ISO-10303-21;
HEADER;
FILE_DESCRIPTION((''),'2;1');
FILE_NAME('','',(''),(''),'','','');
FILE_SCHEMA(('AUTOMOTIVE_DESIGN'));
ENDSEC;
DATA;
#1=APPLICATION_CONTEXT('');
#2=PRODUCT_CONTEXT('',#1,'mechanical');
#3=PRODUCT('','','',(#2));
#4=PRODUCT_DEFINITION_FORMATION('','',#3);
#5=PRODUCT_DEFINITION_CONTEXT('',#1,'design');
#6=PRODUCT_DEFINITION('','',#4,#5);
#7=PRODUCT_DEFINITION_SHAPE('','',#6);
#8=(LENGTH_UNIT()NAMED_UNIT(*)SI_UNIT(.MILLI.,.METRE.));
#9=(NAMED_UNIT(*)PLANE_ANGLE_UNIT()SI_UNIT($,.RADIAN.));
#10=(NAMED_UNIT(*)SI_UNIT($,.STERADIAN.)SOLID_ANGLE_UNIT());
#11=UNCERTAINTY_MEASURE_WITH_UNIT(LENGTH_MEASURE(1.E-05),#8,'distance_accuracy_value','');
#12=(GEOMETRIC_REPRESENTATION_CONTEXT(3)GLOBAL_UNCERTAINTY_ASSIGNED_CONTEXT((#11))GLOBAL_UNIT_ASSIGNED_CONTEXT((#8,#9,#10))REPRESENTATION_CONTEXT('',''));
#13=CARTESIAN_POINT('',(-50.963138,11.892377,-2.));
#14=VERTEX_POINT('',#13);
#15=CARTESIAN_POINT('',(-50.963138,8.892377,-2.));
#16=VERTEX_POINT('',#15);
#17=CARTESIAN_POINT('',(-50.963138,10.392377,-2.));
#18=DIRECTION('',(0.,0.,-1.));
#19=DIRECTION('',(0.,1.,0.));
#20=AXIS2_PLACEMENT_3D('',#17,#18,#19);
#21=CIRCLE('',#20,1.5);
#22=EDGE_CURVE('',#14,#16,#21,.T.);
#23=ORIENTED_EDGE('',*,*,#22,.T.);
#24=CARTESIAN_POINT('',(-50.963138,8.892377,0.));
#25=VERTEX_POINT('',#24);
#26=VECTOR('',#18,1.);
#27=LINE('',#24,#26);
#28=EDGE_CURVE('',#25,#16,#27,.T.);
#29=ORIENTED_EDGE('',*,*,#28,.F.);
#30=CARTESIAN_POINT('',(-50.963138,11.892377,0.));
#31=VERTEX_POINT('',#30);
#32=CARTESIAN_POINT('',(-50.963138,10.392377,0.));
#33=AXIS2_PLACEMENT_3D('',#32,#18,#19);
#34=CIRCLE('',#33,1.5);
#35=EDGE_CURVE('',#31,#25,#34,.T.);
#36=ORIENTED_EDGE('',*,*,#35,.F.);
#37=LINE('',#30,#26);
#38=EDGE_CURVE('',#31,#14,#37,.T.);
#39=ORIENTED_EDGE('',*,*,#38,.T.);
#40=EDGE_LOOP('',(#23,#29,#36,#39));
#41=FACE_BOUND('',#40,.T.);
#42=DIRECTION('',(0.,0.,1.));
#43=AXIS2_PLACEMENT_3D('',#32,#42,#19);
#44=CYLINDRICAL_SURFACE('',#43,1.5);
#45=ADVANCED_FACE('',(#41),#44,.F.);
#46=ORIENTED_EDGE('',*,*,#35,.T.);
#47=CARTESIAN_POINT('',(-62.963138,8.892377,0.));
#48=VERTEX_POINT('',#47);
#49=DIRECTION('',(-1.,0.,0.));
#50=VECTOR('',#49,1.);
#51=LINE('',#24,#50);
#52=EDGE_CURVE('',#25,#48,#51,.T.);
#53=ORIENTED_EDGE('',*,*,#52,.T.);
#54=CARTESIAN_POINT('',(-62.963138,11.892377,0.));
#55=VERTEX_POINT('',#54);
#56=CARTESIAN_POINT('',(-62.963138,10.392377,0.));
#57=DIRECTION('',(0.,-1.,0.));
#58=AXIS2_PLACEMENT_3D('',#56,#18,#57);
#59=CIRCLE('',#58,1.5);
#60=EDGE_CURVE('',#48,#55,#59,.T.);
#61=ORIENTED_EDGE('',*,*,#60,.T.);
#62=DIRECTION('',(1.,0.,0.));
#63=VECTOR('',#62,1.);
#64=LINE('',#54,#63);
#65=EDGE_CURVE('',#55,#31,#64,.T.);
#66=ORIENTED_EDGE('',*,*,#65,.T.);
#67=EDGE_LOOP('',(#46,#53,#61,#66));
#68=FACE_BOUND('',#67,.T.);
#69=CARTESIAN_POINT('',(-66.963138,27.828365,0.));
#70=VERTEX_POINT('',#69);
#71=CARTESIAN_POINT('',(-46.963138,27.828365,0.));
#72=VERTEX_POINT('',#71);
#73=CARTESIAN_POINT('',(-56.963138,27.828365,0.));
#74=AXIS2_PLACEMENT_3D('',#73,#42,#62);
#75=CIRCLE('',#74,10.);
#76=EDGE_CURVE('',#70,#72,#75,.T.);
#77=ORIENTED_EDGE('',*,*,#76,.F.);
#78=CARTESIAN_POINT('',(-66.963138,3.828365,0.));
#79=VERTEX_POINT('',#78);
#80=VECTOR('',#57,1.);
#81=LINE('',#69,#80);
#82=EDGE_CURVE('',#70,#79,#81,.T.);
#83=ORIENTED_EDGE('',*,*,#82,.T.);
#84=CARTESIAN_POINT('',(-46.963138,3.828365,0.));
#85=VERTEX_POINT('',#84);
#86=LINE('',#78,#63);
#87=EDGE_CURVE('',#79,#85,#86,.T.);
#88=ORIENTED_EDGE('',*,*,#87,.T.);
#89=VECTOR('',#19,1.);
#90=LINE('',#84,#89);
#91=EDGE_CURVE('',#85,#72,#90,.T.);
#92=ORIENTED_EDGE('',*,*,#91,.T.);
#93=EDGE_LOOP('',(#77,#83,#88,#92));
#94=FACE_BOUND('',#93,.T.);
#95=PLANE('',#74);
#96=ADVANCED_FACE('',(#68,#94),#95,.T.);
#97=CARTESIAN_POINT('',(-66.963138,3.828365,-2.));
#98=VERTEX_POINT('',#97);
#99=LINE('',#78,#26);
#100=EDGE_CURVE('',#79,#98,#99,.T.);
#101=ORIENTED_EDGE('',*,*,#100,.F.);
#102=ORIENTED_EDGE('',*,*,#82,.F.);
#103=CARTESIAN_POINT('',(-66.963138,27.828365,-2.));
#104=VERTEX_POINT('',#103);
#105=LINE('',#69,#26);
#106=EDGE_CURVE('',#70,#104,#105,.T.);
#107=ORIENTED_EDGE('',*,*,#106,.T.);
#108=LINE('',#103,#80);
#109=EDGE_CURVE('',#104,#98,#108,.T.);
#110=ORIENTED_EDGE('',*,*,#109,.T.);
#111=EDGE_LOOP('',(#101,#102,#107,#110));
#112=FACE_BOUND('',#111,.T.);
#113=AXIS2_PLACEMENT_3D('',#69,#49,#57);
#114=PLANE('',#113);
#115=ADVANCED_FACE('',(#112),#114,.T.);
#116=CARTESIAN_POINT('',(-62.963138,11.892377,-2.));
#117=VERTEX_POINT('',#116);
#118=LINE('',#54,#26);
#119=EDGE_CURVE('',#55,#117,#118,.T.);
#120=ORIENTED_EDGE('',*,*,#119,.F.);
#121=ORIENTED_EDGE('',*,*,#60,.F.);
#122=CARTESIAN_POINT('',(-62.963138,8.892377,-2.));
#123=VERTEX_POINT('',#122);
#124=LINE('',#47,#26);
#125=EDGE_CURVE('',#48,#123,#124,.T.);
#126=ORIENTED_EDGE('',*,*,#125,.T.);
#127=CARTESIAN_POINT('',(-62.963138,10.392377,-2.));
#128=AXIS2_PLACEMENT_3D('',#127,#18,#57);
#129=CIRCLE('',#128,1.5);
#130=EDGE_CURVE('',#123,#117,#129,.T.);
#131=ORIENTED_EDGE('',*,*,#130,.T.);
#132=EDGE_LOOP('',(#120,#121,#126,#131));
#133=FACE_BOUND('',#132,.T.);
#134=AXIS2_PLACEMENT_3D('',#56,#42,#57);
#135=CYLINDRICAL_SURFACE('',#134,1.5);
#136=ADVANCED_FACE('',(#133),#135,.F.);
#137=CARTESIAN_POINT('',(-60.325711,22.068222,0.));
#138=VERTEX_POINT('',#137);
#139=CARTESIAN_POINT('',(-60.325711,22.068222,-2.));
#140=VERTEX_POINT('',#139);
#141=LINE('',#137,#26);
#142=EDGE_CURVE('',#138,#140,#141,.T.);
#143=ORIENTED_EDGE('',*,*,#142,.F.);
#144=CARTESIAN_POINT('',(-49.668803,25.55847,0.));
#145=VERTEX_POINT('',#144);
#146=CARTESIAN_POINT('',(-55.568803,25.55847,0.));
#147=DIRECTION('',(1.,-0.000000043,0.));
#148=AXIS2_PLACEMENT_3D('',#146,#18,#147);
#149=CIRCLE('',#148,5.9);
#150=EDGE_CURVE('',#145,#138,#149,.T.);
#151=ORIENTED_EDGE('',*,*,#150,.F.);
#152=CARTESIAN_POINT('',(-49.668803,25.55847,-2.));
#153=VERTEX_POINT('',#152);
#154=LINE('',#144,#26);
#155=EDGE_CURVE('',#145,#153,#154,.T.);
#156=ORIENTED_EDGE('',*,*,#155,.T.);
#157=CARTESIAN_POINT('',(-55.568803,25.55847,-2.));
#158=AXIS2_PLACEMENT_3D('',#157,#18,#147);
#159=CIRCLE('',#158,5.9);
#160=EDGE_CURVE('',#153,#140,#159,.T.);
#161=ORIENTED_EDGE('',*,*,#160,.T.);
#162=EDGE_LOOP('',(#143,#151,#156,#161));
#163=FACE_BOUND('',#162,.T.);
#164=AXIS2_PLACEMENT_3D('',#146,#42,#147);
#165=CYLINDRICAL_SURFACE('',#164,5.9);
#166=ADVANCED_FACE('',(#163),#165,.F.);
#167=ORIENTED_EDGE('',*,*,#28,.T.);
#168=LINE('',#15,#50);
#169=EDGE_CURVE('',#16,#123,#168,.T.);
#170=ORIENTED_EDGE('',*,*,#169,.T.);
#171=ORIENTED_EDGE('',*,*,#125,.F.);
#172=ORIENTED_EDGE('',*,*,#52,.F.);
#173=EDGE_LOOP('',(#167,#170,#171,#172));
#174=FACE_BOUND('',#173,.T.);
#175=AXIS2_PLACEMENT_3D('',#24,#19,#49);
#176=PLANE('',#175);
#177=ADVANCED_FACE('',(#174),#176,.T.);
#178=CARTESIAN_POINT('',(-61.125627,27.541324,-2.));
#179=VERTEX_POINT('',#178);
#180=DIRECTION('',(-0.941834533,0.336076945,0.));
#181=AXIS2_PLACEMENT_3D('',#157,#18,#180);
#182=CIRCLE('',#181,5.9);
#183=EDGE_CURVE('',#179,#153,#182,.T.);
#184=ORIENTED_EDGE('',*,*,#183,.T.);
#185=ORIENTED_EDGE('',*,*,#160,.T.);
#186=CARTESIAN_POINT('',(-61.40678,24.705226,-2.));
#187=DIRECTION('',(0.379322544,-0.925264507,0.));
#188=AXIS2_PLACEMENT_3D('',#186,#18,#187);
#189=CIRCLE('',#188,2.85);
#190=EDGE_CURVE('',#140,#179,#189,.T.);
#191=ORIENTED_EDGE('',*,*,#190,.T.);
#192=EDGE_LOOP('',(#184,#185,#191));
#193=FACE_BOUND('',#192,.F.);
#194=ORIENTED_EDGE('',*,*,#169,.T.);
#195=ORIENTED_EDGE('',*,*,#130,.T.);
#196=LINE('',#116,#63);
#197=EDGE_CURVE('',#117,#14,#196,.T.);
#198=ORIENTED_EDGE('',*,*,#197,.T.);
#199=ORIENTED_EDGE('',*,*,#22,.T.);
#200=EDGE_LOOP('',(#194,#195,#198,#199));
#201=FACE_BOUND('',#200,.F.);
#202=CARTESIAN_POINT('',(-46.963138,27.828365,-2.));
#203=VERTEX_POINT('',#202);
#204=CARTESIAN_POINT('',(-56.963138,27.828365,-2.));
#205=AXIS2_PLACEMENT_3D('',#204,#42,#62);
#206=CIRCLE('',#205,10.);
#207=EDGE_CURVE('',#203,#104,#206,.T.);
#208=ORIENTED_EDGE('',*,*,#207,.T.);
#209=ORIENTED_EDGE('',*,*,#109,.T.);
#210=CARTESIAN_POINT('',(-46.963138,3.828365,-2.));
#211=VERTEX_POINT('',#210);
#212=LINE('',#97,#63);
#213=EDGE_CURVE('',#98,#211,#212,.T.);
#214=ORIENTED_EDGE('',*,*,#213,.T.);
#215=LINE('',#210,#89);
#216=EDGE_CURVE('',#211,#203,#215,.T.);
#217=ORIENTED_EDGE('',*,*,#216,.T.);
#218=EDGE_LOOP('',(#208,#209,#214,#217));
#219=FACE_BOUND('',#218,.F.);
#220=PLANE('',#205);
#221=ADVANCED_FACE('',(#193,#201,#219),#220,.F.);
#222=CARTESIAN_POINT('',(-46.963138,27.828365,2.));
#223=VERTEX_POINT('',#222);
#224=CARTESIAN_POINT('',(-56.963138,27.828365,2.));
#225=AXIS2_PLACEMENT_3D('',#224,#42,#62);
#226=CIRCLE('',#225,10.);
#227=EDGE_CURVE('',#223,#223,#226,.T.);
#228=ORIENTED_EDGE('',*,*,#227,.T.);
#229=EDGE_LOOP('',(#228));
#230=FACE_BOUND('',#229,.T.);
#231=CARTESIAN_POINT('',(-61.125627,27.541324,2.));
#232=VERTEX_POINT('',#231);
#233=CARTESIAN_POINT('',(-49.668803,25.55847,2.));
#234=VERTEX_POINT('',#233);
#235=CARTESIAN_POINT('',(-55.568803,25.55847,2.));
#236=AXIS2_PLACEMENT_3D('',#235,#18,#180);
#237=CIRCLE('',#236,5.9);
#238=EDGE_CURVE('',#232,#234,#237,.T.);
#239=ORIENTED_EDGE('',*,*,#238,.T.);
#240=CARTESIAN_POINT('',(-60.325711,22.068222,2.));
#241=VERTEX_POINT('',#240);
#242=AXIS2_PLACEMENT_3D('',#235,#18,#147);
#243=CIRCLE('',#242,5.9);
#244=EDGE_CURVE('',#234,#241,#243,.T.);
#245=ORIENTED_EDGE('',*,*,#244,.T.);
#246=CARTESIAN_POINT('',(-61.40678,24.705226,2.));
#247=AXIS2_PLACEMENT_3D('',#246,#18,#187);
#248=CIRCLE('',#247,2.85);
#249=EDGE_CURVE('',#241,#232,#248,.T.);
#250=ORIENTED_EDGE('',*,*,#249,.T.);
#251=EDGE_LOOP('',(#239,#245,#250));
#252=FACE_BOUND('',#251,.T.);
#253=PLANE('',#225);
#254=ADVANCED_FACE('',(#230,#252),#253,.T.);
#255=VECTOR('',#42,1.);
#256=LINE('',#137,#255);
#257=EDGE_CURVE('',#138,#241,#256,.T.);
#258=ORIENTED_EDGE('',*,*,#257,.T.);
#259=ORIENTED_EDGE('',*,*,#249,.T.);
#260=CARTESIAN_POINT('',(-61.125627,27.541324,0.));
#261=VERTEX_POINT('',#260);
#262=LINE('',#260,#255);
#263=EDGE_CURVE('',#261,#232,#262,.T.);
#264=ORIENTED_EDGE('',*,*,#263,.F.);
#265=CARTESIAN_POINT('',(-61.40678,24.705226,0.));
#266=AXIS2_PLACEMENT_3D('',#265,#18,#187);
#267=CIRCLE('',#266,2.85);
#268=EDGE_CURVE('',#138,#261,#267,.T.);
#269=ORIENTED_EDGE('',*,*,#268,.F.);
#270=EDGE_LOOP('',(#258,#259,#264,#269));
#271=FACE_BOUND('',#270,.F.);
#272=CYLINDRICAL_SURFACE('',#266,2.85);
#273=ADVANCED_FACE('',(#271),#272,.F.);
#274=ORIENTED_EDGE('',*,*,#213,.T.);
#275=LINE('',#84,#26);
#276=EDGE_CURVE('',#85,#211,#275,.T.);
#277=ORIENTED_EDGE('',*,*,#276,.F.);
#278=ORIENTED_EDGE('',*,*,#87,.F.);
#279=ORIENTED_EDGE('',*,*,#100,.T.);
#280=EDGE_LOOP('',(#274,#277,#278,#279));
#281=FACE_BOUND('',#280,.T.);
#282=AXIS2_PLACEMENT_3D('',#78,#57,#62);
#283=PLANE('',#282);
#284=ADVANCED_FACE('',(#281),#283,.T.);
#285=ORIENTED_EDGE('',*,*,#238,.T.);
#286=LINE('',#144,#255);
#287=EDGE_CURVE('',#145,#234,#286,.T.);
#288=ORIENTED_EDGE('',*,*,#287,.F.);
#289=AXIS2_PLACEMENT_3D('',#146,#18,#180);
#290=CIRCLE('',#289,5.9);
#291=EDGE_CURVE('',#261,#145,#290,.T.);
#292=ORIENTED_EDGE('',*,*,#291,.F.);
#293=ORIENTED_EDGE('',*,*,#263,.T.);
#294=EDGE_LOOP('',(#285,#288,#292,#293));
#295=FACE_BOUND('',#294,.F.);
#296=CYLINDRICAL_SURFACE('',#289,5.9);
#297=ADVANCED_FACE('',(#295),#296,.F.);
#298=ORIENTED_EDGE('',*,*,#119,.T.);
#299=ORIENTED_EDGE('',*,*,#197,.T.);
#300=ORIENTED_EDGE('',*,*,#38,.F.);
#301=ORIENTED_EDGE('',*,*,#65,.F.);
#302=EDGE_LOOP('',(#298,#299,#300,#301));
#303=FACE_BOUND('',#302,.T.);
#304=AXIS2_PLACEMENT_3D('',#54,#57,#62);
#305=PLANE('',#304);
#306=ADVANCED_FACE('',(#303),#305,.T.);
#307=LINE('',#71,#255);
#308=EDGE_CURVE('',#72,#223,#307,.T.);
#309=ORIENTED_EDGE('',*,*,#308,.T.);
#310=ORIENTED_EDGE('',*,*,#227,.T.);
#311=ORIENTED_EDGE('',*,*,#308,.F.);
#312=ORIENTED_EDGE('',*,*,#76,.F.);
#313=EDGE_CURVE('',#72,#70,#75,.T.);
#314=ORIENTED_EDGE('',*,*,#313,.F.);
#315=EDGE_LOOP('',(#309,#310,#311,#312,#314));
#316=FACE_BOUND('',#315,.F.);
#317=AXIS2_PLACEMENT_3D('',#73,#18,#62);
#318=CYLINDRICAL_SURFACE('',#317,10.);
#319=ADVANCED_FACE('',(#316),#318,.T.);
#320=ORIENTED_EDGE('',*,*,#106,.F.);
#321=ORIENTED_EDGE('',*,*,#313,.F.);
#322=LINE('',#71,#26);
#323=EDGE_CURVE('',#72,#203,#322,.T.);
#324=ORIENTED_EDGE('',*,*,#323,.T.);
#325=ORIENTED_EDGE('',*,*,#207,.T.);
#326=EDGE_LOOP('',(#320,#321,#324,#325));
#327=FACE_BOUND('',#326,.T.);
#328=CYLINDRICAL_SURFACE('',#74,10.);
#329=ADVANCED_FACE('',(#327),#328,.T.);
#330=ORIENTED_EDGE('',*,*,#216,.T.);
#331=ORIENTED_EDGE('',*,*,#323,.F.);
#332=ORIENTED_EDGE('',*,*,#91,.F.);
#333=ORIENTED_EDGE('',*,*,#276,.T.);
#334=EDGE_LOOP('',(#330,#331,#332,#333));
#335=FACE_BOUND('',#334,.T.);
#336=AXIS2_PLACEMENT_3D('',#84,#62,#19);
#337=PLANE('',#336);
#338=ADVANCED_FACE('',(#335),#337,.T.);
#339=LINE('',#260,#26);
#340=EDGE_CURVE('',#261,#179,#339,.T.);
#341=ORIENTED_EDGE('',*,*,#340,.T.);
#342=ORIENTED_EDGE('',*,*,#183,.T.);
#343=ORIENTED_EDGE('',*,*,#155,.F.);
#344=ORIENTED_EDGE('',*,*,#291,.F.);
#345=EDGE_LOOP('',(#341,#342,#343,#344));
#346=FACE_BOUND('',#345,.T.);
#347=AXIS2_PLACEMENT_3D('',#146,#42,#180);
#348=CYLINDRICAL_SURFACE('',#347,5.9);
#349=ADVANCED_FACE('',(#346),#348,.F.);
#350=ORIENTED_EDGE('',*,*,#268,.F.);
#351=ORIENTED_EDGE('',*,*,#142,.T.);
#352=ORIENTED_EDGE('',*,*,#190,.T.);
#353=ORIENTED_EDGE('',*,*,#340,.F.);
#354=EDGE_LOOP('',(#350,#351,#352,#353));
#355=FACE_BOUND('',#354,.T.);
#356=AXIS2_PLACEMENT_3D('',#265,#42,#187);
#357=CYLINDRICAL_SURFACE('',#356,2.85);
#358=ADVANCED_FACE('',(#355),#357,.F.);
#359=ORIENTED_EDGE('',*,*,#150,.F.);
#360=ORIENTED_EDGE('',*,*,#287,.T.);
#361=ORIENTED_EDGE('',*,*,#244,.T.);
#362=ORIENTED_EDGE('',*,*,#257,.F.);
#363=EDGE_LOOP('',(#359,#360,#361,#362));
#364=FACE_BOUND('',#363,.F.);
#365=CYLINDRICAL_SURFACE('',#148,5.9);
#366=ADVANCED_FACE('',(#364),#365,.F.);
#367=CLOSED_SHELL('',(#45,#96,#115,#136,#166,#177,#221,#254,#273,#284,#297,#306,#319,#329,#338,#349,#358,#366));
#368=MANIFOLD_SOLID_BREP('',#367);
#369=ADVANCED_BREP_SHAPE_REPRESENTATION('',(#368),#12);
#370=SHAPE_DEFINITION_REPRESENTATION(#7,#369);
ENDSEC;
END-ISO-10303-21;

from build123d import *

# Parameters (mm, degrees)
F1_DEPTH = 2
F2_DEPTH = 2


with BuildPart() as f1:
    # F0 (on Top) → F1 (new body)
    with BuildSketch(Plane.XY):
        with BuildLine():
            ThreePointArc((-66.963138, 27.828365), (-56.963138, 17.828365), (-46.963138, 27.828365))
            ThreePointArc((-46.963138, 27.828365), (-56.963138, 37.828365), (-66.963138, 27.828365))
        make_face()
        with BuildLine():
            ThreePointArc((-61.125627, 27.541324), (-54.562637, 31.372043), (-49.668803, 25.55847))
            ThreePointArc((-49.668803, 25.55847), (-53.732469, 19.951521), (-60.325711, 22.068222))
            ThreePointArc((-60.325711, 22.068222), (-64.22682, 24.293066), (-61.125627, 27.541324))
        make_face(mode=Mode.SUBTRACT)
    extrude(amount=F1_DEPTH)

    # F0 (on Top) → F2 (join)
    with BuildSketch(Plane.XY):
        with BuildLine():
            ThreePointArc((-66.963138, 27.828365), (-56.963138, 17.828365), (-46.963138, 27.828365))
            ThreePointArc((-46.963138, 27.828365), (-56.963138, 37.828365), (-66.963138, 27.828365))
        make_face()
        with BuildLine():
            ThreePointArc((-61.125627, 27.541324), (-54.562637, 31.372043), (-49.668803, 25.55847))
            ThreePointArc((-49.668803, 25.55847), (-53.732469, 19.951521), (-60.325711, 22.068222))
            ThreePointArc((-60.325711, 22.068222), (-64.22682, 24.293066), (-61.125627, 27.541324))
        make_face(mode=Mode.SUBTRACT)
        with BuildLine():
            Line((-46.963138, 3.828365), (-46.963138, 27.828365))
            ThreePointArc((-46.963138, 27.828365), (-56.963138, 17.828365), (-66.963138, 27.828365))
            Line((-66.963138, 27.828365), (-66.963138, 3.828365))
            Line((-66.963138, 3.828365), (-46.963138, 3.828365))
        make_face()
        with BuildLine():
            ThreePointArc((-62.963138, 8.892377), (-64.463138, 10.392377), (-62.963138, 11.892377))
            Line((-62.963138, 11.892377), (-50.963138, 11.892377))
            ThreePointArc((-50.963138, 11.892377), (-49.463138, 10.392377), (-50.963138, 8.892377))
            Line((-50.963138, 8.892377), (-62.963138, 8.892377))
        make_face(mode=Mode.SUBTRACT)
    extrude(amount=-F2_DEPTH)


solid = f1.part
